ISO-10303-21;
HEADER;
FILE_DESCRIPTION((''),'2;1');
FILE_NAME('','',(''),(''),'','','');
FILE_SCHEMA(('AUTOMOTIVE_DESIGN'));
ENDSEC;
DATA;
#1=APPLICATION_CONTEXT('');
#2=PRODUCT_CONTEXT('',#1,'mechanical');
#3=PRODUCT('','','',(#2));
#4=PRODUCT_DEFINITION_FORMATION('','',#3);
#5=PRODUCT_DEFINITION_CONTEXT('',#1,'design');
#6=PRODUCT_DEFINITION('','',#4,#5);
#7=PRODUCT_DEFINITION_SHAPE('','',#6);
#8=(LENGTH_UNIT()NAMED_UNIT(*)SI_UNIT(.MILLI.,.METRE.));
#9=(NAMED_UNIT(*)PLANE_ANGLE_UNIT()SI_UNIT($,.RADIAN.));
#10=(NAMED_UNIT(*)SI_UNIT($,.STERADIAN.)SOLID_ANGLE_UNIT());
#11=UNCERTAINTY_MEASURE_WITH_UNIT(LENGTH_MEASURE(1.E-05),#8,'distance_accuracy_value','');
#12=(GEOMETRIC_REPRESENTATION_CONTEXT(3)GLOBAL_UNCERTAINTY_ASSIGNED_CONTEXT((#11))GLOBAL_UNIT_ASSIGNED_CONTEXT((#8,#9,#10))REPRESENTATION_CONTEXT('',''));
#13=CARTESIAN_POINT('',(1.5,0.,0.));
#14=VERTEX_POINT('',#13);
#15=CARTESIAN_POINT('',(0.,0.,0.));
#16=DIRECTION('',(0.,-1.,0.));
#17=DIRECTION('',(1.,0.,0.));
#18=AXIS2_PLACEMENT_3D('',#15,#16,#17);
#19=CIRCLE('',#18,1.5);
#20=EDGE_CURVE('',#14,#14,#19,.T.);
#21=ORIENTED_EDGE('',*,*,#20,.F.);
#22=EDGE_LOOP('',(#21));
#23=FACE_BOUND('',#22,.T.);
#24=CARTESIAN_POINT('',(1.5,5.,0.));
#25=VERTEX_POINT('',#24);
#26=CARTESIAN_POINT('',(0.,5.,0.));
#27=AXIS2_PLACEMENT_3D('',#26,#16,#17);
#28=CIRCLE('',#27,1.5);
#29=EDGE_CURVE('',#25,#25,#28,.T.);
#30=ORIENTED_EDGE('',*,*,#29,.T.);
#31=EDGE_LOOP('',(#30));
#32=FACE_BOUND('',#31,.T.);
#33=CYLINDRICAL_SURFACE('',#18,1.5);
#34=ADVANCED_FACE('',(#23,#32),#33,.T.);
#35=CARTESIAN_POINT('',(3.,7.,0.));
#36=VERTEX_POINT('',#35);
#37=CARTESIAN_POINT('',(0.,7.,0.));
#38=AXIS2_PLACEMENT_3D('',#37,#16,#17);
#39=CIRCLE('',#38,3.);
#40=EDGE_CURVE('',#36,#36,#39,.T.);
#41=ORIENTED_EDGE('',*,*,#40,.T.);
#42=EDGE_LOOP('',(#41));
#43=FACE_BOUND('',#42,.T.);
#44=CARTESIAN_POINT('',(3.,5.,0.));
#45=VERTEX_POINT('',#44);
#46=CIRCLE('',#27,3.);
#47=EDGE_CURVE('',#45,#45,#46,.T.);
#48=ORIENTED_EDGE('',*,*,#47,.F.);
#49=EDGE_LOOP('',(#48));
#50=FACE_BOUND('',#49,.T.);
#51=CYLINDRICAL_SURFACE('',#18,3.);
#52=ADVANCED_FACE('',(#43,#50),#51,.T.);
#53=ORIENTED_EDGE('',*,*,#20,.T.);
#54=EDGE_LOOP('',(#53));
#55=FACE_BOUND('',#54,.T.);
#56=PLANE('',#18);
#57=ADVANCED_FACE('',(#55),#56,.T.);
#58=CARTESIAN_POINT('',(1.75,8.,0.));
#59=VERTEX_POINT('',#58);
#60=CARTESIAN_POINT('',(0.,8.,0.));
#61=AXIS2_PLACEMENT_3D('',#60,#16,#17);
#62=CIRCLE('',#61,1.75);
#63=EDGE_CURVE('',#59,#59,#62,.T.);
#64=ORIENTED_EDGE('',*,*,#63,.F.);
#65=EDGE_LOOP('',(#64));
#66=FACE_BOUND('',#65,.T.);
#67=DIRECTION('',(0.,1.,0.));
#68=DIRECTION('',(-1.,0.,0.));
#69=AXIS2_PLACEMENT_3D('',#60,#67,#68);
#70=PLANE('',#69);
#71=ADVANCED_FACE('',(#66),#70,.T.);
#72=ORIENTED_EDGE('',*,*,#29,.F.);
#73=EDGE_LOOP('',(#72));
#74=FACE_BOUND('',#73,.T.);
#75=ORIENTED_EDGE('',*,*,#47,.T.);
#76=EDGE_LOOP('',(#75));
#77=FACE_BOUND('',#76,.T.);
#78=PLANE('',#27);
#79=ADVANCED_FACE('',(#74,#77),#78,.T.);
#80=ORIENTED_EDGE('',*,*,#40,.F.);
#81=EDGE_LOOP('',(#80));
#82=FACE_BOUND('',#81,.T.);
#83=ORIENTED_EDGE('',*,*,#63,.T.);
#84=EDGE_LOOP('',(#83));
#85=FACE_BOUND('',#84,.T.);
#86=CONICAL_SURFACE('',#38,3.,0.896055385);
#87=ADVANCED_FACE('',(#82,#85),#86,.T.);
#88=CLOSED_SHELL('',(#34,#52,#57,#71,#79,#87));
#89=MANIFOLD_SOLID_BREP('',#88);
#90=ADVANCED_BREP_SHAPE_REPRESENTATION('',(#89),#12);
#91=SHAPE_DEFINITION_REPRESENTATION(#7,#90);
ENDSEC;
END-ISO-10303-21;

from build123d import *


with BuildPart() as part:
    # Croquis3 → Revolución1 (revolve)
    with BuildSketch(Plane.XY, mode=Mode.PRIVATE) as revoluci_n1_sk:
        Polygon((0, 0), (-1.5, 0), (-1.5, 5), (-3, 5), (-3, 7), (-1.75, 8), (0, 8), align=None)
    revolve(revoluci_n1_sk.sketch.rotate(Axis((0, 0, 0), (0, 1, 0)), 180), axis=Axis((0, 0, 0), (0, 1, 0)))


solid = part.part
